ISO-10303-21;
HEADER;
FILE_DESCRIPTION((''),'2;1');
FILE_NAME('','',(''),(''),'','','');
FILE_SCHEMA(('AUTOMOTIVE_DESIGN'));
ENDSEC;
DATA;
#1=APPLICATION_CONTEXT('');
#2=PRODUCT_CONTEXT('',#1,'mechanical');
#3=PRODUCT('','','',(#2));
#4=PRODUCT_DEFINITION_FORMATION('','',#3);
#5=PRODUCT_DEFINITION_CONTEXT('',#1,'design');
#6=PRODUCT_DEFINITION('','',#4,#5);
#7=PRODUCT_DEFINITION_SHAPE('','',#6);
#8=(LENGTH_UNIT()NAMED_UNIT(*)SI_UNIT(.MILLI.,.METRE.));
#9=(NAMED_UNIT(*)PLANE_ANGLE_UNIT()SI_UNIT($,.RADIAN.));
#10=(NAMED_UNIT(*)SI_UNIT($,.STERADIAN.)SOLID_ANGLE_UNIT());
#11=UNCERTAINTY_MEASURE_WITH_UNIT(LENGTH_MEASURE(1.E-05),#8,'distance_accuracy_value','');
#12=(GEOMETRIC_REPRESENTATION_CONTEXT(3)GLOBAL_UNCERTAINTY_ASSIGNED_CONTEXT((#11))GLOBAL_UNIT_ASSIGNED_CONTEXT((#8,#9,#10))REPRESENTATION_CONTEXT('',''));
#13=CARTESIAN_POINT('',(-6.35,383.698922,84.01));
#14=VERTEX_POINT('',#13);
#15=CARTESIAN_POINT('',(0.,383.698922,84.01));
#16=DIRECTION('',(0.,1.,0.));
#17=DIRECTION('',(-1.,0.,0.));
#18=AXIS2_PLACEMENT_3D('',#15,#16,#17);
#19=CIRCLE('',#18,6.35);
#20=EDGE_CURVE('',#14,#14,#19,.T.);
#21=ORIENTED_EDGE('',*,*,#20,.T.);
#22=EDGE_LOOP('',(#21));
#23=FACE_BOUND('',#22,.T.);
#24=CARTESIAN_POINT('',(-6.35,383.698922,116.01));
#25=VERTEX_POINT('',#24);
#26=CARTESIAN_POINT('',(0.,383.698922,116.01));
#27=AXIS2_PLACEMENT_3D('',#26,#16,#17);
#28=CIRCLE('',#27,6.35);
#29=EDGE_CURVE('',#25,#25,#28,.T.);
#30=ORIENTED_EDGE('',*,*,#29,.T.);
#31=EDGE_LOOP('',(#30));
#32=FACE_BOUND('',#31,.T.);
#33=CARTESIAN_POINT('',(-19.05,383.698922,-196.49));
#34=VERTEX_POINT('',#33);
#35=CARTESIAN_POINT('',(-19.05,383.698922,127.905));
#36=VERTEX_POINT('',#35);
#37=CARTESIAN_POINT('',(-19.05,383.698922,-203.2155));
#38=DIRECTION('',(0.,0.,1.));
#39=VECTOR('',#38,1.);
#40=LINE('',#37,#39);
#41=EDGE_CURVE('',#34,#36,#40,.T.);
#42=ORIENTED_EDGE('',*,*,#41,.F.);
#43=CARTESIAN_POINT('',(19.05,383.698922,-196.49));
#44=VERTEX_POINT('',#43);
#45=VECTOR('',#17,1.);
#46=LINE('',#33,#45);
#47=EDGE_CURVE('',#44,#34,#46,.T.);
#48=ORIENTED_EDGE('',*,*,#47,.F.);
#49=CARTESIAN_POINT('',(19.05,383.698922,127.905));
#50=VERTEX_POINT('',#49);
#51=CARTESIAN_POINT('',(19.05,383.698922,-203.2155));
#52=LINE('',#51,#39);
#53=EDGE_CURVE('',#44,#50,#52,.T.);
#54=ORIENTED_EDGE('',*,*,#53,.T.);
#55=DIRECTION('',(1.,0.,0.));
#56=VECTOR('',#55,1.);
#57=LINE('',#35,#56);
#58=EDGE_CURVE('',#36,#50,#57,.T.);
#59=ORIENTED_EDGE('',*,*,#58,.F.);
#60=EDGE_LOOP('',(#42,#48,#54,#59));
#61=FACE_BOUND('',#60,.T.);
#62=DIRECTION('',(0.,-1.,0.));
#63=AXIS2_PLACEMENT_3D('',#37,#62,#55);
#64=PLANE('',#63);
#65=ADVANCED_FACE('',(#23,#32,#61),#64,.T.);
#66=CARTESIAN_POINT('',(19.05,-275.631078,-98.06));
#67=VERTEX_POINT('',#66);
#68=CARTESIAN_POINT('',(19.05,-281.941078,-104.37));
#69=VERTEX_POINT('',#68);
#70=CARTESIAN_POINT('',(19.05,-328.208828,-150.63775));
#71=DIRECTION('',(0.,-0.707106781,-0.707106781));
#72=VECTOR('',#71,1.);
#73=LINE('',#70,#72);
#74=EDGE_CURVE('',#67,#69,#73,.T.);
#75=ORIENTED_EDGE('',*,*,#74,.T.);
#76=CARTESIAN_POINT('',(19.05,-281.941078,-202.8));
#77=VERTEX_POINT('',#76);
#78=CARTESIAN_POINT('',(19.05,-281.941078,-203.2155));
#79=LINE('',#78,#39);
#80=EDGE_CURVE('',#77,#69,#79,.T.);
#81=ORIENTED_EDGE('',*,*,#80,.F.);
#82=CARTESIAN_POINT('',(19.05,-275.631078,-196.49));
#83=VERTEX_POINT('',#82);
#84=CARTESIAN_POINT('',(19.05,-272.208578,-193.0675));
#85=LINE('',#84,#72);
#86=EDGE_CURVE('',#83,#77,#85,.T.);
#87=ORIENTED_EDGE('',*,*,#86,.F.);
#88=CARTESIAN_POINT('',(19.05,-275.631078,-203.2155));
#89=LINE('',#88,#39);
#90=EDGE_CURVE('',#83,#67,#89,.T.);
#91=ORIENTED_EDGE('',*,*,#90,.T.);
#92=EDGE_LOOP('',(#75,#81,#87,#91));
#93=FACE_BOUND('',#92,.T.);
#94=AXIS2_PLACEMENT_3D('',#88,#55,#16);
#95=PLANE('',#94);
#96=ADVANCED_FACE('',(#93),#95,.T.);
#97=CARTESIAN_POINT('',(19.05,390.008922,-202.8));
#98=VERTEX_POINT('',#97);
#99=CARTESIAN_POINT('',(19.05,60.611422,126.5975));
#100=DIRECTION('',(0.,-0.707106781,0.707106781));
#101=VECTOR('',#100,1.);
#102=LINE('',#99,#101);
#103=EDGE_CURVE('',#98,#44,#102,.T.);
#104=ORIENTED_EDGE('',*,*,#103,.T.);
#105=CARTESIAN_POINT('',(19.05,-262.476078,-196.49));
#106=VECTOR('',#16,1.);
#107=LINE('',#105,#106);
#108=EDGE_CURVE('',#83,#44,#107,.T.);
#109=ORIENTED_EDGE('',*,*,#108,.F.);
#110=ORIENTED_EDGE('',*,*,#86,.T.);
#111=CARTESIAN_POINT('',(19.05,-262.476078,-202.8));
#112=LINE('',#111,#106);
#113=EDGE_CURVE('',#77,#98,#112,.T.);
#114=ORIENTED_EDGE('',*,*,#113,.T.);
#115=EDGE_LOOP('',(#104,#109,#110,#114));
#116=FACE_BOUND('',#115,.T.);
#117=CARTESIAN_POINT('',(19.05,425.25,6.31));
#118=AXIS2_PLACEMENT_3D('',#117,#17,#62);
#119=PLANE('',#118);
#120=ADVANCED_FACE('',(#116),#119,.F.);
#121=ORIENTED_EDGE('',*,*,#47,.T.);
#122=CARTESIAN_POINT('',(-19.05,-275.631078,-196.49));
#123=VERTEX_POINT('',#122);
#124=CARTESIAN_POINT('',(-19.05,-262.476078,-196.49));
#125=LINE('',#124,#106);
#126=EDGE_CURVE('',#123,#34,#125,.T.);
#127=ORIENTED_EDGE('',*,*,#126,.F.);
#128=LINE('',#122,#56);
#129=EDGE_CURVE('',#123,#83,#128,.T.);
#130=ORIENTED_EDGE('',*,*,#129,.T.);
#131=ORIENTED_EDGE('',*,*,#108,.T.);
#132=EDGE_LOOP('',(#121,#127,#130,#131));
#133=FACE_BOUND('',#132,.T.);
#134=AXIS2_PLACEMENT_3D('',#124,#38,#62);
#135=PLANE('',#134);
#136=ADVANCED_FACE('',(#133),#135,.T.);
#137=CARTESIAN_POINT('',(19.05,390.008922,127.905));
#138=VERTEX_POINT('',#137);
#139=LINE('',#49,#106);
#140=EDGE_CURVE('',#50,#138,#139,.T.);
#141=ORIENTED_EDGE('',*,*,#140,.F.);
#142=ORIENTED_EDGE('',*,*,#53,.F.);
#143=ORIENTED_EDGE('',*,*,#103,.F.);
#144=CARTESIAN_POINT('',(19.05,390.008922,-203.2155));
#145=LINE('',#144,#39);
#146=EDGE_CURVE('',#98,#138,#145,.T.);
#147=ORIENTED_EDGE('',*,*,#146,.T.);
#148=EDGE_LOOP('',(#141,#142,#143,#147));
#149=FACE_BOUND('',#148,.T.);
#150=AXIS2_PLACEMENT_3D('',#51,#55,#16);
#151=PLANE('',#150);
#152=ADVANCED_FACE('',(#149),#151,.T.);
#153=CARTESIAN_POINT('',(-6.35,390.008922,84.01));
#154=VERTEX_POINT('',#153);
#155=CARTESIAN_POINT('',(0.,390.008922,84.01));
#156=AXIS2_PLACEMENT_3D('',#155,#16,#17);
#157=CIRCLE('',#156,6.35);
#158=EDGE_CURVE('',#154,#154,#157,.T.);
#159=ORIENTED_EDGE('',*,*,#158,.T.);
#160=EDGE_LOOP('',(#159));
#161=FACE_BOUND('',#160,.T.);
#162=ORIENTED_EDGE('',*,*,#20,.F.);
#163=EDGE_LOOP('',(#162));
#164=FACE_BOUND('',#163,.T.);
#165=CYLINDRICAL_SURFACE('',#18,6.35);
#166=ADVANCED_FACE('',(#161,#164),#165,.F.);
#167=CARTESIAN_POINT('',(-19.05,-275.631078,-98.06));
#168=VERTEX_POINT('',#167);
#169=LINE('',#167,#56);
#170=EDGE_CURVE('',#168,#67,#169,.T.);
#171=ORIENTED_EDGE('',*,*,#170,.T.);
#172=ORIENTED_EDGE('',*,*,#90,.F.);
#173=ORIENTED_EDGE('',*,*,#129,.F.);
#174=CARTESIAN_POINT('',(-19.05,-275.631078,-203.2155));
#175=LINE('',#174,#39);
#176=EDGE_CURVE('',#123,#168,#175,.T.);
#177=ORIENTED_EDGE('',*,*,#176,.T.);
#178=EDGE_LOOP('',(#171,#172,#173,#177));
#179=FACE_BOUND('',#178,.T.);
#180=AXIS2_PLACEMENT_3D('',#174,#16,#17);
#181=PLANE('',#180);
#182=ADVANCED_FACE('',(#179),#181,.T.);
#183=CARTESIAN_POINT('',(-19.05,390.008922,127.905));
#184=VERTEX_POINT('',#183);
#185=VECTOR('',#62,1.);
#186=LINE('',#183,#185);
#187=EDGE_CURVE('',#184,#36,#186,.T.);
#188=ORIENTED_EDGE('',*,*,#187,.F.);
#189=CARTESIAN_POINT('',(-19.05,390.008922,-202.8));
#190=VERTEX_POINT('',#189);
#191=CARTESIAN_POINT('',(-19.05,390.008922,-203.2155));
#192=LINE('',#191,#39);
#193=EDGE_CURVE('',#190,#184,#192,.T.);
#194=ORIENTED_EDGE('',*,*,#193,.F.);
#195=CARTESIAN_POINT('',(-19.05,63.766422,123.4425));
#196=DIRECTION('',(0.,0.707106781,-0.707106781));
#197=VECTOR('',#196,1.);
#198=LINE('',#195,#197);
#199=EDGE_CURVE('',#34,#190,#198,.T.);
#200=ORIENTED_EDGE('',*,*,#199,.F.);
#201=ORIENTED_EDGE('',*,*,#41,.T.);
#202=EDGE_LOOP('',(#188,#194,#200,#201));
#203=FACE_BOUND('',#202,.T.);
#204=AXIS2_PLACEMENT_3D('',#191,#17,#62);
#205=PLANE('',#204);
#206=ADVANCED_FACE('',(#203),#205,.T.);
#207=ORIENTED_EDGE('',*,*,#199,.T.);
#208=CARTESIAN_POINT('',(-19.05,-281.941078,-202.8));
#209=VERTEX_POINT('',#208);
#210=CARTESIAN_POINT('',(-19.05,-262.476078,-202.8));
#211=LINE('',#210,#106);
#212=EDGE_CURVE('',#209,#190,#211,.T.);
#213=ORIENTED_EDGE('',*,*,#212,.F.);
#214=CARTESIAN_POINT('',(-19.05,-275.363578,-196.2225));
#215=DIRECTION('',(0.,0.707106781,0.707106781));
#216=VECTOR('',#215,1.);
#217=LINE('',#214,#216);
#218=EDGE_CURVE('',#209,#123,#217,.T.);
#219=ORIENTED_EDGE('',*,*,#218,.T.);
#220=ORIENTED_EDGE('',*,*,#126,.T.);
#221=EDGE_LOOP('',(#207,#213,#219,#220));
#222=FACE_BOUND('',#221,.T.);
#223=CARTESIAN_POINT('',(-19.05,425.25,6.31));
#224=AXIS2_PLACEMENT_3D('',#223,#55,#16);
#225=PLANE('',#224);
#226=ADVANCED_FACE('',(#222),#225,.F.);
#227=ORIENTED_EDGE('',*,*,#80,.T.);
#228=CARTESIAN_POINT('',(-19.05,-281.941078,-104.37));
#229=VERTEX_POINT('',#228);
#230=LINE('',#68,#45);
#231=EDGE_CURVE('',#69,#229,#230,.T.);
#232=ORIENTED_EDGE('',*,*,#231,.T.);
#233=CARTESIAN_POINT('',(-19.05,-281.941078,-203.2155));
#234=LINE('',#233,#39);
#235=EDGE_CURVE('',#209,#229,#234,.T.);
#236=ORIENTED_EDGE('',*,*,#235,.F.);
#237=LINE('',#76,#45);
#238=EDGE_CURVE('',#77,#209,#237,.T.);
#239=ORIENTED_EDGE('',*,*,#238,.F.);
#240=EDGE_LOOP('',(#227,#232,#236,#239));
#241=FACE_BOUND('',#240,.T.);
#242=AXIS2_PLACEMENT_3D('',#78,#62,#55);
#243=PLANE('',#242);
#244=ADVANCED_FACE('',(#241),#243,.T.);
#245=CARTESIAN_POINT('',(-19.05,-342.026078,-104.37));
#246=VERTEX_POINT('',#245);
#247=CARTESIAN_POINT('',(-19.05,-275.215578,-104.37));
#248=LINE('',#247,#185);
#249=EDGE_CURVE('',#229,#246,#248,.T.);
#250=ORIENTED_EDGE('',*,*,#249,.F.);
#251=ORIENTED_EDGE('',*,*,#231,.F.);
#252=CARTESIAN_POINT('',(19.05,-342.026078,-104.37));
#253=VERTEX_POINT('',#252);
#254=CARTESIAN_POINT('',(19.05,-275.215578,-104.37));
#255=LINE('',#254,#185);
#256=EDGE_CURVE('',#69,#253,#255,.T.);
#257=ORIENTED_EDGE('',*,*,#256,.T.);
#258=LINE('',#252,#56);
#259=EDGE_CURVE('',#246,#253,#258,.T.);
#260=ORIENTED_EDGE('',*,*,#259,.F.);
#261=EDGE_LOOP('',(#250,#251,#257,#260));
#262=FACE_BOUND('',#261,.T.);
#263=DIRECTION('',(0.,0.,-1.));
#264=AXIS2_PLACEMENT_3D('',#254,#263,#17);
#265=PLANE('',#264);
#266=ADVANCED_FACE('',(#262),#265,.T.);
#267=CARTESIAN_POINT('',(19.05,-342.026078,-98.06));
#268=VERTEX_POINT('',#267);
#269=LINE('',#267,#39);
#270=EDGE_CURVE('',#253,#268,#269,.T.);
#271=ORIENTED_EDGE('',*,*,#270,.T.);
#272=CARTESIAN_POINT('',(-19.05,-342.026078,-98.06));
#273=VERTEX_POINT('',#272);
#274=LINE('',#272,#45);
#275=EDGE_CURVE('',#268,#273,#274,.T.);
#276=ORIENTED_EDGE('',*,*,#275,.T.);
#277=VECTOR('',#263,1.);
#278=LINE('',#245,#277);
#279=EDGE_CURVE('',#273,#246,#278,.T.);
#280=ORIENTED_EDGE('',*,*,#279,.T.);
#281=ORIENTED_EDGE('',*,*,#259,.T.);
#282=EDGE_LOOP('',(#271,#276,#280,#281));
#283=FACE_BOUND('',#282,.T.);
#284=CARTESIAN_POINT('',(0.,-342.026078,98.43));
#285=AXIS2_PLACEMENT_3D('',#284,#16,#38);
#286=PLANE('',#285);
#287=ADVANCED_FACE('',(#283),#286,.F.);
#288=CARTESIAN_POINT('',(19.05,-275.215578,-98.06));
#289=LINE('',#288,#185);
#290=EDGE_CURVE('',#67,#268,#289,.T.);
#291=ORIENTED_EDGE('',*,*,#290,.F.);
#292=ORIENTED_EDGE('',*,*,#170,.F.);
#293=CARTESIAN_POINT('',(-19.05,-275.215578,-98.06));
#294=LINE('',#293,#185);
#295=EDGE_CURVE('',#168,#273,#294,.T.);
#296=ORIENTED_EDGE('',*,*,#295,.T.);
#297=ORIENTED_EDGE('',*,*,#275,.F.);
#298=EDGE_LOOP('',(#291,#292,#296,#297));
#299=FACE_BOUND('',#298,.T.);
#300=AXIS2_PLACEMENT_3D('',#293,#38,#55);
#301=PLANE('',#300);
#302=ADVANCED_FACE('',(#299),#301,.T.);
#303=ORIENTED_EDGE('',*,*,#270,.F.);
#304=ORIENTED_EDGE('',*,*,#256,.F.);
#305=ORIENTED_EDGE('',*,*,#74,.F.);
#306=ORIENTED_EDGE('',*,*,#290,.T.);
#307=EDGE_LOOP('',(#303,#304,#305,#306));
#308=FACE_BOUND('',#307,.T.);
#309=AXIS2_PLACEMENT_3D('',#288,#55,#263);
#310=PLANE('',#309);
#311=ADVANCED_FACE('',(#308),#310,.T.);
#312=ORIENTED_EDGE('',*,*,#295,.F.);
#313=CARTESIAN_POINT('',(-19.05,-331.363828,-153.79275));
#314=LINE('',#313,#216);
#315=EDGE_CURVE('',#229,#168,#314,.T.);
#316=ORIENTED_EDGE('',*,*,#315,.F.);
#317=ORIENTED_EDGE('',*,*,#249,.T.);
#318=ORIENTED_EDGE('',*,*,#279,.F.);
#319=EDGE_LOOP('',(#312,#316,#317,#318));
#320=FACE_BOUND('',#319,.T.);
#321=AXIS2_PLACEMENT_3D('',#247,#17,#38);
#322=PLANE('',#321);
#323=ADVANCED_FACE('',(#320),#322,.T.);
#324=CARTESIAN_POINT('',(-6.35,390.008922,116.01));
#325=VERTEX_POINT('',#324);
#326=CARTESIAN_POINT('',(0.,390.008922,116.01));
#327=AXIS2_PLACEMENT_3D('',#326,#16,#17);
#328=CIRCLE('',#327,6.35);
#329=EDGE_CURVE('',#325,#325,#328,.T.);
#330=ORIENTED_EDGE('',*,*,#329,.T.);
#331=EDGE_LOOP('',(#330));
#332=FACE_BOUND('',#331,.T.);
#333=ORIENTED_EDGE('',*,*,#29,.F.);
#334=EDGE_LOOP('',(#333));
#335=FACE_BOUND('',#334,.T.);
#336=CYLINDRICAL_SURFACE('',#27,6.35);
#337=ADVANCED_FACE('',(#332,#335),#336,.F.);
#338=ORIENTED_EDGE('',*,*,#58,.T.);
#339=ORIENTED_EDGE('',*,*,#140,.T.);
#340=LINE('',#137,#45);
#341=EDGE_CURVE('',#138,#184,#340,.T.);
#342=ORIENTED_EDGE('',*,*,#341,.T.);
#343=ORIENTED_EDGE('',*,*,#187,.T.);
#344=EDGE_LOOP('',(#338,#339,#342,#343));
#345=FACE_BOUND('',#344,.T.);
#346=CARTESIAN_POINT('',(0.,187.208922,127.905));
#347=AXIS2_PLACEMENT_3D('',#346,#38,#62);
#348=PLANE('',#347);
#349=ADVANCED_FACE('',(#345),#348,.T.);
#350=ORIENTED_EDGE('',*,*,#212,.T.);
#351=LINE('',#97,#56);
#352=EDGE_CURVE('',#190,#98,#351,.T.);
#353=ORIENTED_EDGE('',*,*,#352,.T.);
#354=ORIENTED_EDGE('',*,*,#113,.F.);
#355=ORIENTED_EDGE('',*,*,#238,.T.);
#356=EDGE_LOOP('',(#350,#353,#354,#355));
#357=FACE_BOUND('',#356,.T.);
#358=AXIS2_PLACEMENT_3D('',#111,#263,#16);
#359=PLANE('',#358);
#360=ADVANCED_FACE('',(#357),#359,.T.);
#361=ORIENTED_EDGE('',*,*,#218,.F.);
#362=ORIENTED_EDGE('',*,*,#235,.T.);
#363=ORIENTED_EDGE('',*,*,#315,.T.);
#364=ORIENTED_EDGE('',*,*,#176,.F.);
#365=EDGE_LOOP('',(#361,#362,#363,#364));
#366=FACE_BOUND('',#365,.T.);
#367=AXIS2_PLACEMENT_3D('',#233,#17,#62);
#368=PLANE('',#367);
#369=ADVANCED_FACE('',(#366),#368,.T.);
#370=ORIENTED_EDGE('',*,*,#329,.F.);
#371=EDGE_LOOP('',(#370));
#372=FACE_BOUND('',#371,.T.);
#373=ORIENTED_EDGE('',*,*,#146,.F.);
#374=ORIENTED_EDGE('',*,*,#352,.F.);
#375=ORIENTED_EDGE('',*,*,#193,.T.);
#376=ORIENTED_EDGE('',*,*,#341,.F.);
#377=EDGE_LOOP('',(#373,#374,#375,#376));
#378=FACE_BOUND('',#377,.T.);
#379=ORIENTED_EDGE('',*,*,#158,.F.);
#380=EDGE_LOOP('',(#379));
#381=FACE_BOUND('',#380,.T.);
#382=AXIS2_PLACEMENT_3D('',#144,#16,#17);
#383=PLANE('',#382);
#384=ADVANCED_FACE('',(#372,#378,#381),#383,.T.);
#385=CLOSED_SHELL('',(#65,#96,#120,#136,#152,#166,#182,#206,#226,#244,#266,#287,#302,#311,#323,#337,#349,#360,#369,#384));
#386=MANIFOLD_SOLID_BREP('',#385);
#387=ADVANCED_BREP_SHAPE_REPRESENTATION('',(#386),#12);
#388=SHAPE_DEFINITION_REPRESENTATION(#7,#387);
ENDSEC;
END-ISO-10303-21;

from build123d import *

# Parameters (mm, degrees)
CROQUIS1_W              = 38.1
CROQUIS1_H              = 850.5
SALIENTE_EXTRUIR1_DEPTH = 6.31
CROQUIS2_W              = 38.1
CROQUIS2_H              = 6.31
SALIENTE_EXTRUIR2_DEPTH = 70
CROQUIS3_W              = 38.1
CROQUIS3_H              = 6.31
SALIENTE_EXTRUIR3_DEPTH = 578
CROQUIS4_R              = 6.935856655
CORTAR_EXTRUIR1_DEPTH   = 7
CROQUIS5_W              = 38.1
CROQUIS5_H              = 687.72607772
CORTAR_EXTRUIR2_DEPTH   = 10
CROQUIS6_W              = 38.1
CROQUIS6_H              = 6.31
CROQUIS8_W              = 368.89
CROQUIS8_H              = 6.31
CORTAR_EXTRUIR3_DEPTH   = 147
CROQUIS9_R              = 6.35
CORTAR_EXTRUIR4_DEPTH   = 6.31
CROQUIS10_W             = 38.1
CROQUIS10_H             = 6.31


with BuildPart() as part:
    # Croquis1 → Saliente-Extruir1 (new body)
    with BuildSketch(Plane.XY):
        Rectangle(CROQUIS1_W, CROQUIS1_H)
    extrude(amount=SALIENTE_EXTRUIR1_DEPTH)

    # Croquis2 → Saliente-Extruir2 (add)
    with BuildSketch(Plane.XY.offset(6.31)):
        with Locations((0, -422.095)):
            Rectangle(CROQUIS2_W, CROQUIS2_H)
    extrude(amount=SALIENTE_EXTRUIR2_DEPTH)

    # Croquis3 → Saliente-Extruir3 (add)
    with BuildSketch(Plane.XY.offset(6.31)):
        with Locations((0, -265.63107772)):
            Rectangle(CROQUIS3_W, CROQUIS3_H)
    extrude(amount=-SALIENTE_EXTRUIR3_DEPTH)

    # Croquis4 → Cortar-Extruir1 (cut)
    with BuildSketch(Plane(origin=(0, -262.47607772, 0), x_dir=(1, 0, 0), z_dir=(0, 1, 0))):
        with Locations(Location((0, 536.981534281, 0), (0, 0, 270))):
            Circle(CROQUIS4_R)
    extrude(amount=-CORTAR_EXTRUIR1_DEPTH, mode=Mode.SUBTRACT)

    # Croquis5 → Cortar-Extruir2 (cut)
    with BuildSketch(Plane(origin=(0, 0, 0), x_dir=(-1, 0, 0), z_dir=(0, 0, -1))):
        with Locations((0, 81.38696114)):
            Rectangle(CROQUIS5_W, CROQUIS5_H)
    extrude(amount=-CORTAR_EXTRUIR2_DEPTH, mode=Mode.SUBTRACT)

    # Barrer1: sweep along a curve in space
    with BuildLine() as barrer1_path:
        Line((0, -262.47607772, -199.645), (0, 386.85392228, -199.645))
        Line((0, 386.85392228, -199.645), (0, 386.85392228, 127.905))
    # Croquis6 → Barrer1 (sweep)
    with BuildSketch(Plane(origin=(0, -262.47607772, 0), x_dir=(1, 0, 0), z_dir=(0, 1, 0))):
        with Locations((0, 199.645)):
            Rectangle(CROQUIS6_W, CROQUIS6_H)
    sweep(path=barrer1_path.line, transition=Transition.RIGHT)

    # Croquis8 → Cortar-Extruir3 (cut)
    with BuildSketch(Plane(origin=(19.05, 0, 0), x_dir=(0, 0, -1), z_dir=(1, 0, 0))):
        Polygon((196.49, -262.47607772), (196.49, -268.78607772), (196.49, -444.307673596), (-90.834600665, -444.307673596), (-90.834600665, -262.47607772), align=None)
        with Locations((387.245, -265.63107772)):
            Rectangle(CROQUIS8_W, CROQUIS8_H)
    extrude(amount=-CORTAR_EXTRUIR3_DEPTH, mode=Mode.SUBTRACT)

    # Croquis9 → Cortar-Extruir4 (cut)
    with BuildSketch(Plane(origin=(0, 390.00892228, 0), x_dir=(1, 0, 0), z_dir=(0, 1, 0))):
        with Locations(Location((0, -84.010000001, 0), (0, 0, 180))):
            Circle(CROQUIS9_R)
        with Locations(Location((0, -116.010000001, 0), (0, 0, 180))):
            Circle(CROQUIS9_R)
    extrude(amount=-CORTAR_EXTRUIR4_DEPTH, mode=Mode.SUBTRACT)

    # Barrer2: sweep along a curve in space
    with BuildLine() as barrer2_path:
        Line((0, -268.78607772, -199.645), (0, -278.78607772, -199.645))
        Line((0, -278.78607772, -199.645), (0, -278.78607772, -101.215))
        Line((0, -278.78607772, -101.215), (0, -342.02607772, -101.215))
    # Croquis10 → Barrer2 (sweep)
    with BuildSketch(Plane.XZ.offset(268.78607772)):
        with Locations((0, -199.645)):
            Rectangle(CROQUIS10_W, CROQUIS10_H)
    sweep(path=barrer2_path.line, transition=Transition.RIGHT)


solid = part.part
